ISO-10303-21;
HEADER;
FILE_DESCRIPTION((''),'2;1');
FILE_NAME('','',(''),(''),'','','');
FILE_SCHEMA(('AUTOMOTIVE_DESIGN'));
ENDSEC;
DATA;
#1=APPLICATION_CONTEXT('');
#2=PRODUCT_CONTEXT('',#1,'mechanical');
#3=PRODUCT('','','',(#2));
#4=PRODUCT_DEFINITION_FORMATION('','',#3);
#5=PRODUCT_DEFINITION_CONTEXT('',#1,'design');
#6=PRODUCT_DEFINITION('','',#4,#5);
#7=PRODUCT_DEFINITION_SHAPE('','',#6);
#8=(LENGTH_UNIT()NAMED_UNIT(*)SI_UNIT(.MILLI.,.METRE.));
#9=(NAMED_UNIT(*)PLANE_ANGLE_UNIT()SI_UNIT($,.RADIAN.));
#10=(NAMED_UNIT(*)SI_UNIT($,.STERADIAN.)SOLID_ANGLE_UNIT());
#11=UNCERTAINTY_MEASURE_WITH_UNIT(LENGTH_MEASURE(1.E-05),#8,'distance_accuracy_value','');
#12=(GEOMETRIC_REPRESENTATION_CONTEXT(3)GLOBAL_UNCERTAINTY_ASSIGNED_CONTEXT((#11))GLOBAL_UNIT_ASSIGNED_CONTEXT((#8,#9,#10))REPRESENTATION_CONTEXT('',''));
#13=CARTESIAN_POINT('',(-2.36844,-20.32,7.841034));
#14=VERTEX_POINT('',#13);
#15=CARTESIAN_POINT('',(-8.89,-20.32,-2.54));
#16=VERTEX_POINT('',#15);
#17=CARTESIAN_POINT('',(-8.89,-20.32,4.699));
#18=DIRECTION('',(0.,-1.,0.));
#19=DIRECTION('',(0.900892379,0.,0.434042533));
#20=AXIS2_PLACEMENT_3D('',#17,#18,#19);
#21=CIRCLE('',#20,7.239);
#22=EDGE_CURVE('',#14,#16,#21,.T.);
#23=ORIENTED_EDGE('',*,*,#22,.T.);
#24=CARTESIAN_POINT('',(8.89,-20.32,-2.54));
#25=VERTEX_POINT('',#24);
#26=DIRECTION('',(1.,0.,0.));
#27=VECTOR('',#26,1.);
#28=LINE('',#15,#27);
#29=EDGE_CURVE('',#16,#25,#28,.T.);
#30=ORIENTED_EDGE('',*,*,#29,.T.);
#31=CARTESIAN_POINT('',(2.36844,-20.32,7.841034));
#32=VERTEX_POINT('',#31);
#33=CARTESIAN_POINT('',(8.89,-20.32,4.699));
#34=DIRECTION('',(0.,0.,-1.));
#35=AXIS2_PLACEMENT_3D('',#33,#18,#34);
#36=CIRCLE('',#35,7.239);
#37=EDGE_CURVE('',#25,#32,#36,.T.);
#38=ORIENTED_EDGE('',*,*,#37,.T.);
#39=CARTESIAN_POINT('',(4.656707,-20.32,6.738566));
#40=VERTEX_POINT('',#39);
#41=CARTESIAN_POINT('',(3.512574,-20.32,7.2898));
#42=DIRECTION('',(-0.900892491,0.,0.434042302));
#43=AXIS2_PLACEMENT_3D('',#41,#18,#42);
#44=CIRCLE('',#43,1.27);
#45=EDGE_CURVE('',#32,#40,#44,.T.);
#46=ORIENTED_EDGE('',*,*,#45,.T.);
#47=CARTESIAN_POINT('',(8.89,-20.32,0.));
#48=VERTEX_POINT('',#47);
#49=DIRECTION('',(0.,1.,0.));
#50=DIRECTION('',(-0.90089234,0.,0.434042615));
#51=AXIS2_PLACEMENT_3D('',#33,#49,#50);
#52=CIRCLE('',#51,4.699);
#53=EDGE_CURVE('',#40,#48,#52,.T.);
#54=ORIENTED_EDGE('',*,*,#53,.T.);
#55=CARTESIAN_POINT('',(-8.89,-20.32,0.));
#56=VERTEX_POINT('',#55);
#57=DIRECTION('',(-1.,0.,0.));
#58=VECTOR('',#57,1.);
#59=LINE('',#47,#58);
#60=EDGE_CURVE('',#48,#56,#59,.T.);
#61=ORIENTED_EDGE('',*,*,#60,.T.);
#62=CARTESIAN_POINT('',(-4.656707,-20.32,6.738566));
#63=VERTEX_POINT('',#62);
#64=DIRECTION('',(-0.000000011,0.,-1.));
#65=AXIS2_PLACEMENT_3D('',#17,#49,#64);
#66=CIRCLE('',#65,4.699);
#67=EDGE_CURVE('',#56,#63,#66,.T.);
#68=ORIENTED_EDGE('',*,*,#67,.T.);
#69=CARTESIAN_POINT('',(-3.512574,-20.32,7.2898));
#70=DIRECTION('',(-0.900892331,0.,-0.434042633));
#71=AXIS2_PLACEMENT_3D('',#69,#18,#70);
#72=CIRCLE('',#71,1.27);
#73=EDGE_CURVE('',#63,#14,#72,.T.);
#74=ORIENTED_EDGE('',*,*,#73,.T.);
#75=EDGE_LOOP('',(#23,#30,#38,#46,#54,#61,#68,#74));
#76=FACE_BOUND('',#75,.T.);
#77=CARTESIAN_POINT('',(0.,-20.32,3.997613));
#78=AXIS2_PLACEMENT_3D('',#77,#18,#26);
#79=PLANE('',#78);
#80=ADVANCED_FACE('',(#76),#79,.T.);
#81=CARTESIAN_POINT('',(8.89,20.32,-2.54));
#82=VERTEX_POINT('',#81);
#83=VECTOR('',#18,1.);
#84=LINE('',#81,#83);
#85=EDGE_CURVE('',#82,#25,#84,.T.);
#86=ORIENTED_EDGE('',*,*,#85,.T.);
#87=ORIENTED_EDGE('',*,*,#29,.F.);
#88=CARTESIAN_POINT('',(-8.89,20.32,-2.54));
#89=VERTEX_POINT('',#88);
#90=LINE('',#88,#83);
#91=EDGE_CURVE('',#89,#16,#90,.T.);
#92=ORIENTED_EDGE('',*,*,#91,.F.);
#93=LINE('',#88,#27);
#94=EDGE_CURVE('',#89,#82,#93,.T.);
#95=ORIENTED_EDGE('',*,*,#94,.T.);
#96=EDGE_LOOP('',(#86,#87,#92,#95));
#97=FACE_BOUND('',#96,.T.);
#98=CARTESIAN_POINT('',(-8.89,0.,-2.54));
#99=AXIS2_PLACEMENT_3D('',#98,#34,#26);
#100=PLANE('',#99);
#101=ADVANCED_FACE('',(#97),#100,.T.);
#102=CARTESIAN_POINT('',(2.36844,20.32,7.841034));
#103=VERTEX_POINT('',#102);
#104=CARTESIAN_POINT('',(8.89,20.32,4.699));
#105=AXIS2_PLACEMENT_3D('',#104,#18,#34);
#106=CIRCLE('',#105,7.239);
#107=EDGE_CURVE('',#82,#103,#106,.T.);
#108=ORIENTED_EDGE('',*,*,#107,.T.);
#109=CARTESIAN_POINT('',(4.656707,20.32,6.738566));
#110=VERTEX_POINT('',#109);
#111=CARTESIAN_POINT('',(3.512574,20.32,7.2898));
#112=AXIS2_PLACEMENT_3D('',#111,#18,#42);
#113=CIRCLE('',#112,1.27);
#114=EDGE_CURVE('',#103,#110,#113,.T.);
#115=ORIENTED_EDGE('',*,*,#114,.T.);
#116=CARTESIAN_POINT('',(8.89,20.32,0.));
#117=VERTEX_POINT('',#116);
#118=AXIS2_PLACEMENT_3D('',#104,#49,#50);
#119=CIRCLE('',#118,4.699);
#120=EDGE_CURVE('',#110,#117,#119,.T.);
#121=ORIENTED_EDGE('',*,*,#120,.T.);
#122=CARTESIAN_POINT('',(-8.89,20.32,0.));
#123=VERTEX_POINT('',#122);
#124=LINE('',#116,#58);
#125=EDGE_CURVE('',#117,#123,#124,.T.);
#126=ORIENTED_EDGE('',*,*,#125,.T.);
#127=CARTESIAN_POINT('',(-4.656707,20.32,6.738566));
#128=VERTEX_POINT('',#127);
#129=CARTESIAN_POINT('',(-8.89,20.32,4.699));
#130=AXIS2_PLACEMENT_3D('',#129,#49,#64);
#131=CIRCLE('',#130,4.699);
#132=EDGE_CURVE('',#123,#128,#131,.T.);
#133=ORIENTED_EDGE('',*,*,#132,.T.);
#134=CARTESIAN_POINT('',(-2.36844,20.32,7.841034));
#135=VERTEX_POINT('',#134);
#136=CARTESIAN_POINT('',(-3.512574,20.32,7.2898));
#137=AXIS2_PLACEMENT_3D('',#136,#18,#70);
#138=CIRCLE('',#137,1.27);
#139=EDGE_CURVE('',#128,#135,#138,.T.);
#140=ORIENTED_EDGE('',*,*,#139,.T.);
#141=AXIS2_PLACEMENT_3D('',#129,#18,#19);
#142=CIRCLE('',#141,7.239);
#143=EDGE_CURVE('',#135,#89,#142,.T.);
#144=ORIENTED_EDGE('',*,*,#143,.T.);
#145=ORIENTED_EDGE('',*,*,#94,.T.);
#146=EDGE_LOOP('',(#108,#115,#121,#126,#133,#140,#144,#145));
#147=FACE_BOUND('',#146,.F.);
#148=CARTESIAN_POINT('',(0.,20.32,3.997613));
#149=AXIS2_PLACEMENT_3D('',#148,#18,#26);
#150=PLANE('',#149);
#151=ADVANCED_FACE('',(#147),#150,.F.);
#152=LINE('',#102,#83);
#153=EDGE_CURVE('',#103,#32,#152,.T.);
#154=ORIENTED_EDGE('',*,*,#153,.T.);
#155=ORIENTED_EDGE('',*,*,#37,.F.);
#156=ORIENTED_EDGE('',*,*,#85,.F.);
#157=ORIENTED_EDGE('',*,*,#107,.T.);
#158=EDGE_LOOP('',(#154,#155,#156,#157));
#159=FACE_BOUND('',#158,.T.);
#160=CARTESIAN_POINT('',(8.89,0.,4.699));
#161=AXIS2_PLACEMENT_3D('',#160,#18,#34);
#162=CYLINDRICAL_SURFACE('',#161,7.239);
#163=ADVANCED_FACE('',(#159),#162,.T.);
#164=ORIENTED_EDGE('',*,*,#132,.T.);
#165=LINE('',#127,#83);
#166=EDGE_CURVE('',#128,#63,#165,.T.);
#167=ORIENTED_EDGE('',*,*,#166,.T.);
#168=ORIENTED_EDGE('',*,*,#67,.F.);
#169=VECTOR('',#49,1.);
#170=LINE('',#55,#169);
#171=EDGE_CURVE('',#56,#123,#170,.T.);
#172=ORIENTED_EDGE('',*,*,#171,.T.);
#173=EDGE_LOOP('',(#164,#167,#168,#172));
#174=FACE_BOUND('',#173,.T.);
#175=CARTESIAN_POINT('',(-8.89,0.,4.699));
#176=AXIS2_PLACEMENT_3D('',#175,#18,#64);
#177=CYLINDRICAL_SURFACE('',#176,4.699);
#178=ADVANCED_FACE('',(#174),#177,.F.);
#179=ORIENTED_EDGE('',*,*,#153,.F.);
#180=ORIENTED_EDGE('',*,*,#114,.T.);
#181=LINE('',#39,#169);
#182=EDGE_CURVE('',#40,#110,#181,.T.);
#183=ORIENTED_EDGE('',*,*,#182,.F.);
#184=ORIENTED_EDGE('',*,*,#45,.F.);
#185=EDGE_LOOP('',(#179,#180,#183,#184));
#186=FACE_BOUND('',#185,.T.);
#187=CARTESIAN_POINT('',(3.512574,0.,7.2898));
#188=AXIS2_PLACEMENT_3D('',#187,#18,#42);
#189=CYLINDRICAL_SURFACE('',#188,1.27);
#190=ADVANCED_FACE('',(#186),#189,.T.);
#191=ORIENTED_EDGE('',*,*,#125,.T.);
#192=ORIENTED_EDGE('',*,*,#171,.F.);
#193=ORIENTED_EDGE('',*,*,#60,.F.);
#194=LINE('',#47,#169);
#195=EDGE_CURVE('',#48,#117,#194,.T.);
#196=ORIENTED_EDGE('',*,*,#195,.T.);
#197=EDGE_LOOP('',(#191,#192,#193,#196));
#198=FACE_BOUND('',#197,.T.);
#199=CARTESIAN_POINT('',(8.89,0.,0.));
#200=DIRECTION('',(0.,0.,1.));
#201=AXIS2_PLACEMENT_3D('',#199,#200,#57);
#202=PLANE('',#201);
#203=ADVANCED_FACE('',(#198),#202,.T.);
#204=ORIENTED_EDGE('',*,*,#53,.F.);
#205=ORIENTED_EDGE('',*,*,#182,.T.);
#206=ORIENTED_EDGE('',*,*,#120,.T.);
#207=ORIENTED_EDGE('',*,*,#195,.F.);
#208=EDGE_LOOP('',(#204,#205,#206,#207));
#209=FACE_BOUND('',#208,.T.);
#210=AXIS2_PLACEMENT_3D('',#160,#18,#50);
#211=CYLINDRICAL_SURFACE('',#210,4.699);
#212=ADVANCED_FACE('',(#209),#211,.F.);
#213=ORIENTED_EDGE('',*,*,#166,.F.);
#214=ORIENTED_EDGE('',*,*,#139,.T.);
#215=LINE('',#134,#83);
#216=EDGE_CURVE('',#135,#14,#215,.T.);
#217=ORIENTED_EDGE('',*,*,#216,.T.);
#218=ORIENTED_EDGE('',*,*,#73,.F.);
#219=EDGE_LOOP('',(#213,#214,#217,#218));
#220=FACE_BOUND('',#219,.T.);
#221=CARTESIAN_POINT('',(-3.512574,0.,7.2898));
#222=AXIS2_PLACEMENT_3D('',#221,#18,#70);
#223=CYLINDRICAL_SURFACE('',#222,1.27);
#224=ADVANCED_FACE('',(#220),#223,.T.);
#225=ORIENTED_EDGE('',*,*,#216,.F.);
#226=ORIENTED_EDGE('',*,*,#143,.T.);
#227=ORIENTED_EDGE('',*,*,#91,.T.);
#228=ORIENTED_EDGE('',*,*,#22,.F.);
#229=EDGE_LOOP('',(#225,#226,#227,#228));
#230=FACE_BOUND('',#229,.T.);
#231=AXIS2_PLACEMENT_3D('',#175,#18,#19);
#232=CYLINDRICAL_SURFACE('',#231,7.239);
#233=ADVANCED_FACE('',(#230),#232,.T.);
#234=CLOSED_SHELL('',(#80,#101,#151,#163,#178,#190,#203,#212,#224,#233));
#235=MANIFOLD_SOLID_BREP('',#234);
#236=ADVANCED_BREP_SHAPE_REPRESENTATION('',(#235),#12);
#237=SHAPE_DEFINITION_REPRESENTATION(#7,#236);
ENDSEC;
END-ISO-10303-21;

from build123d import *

# Parameters (mm, degrees)
F1_DEPTH = 20.32


with BuildPart() as f1:
    # F0 (on Front) → F1 (new body, symmetric)
    with BuildSketch(Plane.XZ):
        with BuildLine():
            Line((0, 0), (-8.89, 0))
            ThreePointArc((-8.89, 0), (-12.868977, 7.198668), (-4.656707, 6.738566))
            ThreePointArc((-4.656707, 6.738566), (-2.961339, 6.145667), (-2.36844, 7.841034))
            ThreePointArc((-2.36844, 7.841034), (-15.019776, 8.54984), (-8.89, -2.54))
            Line((-8.89, -2.54), (0, -2.54))
            Line((0, -2.54), (8.89, -2.54))
            ThreePointArc((8.89, -2.54), (15.019776, 8.54984), (2.36844, 7.841034))
            ThreePointArc((2.36844, 7.841034), (2.961339, 6.145667), (4.656707, 6.738566))
            ThreePointArc((4.656707, 6.738566), (12.868977, 7.198668), (8.89, 0))
            Line((8.89, 0), (0, 0))
        make_face()
    extrude(amount=F1_DEPTH, both=True)


solid = f1.part
